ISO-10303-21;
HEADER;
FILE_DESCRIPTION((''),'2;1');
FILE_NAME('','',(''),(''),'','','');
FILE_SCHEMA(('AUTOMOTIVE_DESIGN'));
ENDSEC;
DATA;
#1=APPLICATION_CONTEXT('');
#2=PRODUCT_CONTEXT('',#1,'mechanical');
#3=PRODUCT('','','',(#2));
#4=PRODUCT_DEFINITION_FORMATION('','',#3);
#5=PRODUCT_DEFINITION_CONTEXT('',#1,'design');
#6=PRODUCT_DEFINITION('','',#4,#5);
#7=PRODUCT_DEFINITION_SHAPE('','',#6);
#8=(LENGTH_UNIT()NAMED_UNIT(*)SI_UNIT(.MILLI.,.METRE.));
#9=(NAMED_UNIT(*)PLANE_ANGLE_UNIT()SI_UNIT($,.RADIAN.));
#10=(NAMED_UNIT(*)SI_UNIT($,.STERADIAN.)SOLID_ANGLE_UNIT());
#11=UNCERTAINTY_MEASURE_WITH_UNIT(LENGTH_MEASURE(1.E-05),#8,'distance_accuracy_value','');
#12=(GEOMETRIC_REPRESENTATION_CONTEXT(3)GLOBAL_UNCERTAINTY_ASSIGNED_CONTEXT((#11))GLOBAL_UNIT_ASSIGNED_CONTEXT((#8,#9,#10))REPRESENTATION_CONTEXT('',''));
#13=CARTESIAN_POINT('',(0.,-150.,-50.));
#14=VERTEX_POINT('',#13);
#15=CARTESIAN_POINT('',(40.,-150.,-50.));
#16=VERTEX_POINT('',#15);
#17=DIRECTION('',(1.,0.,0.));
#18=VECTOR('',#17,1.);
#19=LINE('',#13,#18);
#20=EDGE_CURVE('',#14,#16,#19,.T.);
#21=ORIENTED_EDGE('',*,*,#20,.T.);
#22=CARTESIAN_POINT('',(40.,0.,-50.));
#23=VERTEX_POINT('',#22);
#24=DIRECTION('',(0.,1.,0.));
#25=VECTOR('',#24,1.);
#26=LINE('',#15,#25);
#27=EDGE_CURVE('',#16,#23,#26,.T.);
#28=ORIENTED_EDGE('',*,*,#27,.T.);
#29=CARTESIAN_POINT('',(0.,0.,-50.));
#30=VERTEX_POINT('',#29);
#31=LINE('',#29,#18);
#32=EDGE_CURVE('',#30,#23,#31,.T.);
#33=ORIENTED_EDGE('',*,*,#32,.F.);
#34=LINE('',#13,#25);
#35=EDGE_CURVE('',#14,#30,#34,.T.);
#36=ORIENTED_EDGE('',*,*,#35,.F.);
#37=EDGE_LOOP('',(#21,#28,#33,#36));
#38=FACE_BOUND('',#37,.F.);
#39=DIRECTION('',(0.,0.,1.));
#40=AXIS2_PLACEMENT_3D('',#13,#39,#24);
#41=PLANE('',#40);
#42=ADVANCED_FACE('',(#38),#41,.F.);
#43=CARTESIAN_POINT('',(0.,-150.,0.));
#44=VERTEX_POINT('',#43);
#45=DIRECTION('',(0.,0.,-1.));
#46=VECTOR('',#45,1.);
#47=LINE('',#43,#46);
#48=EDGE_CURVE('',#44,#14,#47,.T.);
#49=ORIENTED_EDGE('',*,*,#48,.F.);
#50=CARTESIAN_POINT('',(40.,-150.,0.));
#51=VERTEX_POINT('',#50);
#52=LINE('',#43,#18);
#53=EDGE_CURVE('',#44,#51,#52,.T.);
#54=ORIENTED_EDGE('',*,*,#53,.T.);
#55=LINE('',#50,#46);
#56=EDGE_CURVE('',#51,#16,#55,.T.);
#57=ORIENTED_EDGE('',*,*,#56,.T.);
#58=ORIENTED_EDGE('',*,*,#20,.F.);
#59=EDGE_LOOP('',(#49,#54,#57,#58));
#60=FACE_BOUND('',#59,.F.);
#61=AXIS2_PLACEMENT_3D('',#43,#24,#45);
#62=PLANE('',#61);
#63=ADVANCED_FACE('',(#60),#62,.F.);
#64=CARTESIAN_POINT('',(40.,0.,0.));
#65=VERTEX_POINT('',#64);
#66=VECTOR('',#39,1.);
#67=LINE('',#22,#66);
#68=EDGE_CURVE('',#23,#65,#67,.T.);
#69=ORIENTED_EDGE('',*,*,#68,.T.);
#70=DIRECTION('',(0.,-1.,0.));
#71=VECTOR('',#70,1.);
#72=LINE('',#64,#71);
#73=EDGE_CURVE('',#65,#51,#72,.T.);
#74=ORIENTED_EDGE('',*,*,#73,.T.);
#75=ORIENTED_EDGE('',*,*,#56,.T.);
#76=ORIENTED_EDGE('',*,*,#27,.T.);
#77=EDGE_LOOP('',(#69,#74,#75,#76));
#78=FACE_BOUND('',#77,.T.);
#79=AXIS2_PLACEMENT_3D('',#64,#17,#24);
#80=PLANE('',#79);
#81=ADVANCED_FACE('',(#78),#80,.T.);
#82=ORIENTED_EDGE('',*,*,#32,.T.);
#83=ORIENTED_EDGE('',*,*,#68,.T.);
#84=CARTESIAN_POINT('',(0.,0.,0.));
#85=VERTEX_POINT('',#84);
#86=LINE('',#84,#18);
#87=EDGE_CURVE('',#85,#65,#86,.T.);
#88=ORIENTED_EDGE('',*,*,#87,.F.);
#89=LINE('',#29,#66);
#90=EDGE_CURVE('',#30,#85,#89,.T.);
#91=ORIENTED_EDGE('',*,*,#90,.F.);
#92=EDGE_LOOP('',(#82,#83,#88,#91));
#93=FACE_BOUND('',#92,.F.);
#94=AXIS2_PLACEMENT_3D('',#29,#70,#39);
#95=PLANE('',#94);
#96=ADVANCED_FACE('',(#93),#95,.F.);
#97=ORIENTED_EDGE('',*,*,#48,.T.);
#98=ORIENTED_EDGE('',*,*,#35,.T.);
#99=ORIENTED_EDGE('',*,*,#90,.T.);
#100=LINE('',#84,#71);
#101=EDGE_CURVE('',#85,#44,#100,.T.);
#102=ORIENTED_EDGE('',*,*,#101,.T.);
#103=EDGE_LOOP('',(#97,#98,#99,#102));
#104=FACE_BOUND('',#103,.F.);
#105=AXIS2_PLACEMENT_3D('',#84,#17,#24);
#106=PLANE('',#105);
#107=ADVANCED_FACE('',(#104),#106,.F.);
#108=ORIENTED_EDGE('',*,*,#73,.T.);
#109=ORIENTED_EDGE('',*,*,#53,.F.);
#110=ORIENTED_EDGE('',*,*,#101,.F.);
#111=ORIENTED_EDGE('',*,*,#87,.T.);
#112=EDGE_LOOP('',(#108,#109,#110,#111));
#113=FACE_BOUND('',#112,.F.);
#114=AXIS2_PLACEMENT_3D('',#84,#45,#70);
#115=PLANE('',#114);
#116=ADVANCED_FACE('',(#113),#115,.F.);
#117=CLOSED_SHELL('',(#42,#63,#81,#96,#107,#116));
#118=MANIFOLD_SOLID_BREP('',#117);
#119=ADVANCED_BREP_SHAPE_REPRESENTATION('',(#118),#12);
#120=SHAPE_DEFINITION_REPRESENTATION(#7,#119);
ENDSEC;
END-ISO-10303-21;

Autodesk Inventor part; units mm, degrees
ref_plane "YZ Plane" through (0, 0, 0) normal (1, 0, 0) x (0, 1, 0)
ref_plane "XZ Plane" through (0, 0, 0) normal (0, 1, 0) x (-1, 0, 0)
ref_plane "XY Plane" through (0, 0, 0) normal (0, 0, 1) x (1, 0, 0)
sketch "スケッチ1" plane through (0, 0, 0) normal (1, 0, 0) x (0, 1, 0)
  line L0 (0, 0) -> (-150, 0)
  line L1 (-150, 0) -> (-150, -50)
  line L2 (-150, -50) -> (0, -50)
  line L3 (0, -50) -> (0, 0)
  dimension "d0" = 150
  dimension "d1" = 50
extrude "押し出し1" add sketch "スケッチ1" along normal blind 40
properties part number "lipo"
